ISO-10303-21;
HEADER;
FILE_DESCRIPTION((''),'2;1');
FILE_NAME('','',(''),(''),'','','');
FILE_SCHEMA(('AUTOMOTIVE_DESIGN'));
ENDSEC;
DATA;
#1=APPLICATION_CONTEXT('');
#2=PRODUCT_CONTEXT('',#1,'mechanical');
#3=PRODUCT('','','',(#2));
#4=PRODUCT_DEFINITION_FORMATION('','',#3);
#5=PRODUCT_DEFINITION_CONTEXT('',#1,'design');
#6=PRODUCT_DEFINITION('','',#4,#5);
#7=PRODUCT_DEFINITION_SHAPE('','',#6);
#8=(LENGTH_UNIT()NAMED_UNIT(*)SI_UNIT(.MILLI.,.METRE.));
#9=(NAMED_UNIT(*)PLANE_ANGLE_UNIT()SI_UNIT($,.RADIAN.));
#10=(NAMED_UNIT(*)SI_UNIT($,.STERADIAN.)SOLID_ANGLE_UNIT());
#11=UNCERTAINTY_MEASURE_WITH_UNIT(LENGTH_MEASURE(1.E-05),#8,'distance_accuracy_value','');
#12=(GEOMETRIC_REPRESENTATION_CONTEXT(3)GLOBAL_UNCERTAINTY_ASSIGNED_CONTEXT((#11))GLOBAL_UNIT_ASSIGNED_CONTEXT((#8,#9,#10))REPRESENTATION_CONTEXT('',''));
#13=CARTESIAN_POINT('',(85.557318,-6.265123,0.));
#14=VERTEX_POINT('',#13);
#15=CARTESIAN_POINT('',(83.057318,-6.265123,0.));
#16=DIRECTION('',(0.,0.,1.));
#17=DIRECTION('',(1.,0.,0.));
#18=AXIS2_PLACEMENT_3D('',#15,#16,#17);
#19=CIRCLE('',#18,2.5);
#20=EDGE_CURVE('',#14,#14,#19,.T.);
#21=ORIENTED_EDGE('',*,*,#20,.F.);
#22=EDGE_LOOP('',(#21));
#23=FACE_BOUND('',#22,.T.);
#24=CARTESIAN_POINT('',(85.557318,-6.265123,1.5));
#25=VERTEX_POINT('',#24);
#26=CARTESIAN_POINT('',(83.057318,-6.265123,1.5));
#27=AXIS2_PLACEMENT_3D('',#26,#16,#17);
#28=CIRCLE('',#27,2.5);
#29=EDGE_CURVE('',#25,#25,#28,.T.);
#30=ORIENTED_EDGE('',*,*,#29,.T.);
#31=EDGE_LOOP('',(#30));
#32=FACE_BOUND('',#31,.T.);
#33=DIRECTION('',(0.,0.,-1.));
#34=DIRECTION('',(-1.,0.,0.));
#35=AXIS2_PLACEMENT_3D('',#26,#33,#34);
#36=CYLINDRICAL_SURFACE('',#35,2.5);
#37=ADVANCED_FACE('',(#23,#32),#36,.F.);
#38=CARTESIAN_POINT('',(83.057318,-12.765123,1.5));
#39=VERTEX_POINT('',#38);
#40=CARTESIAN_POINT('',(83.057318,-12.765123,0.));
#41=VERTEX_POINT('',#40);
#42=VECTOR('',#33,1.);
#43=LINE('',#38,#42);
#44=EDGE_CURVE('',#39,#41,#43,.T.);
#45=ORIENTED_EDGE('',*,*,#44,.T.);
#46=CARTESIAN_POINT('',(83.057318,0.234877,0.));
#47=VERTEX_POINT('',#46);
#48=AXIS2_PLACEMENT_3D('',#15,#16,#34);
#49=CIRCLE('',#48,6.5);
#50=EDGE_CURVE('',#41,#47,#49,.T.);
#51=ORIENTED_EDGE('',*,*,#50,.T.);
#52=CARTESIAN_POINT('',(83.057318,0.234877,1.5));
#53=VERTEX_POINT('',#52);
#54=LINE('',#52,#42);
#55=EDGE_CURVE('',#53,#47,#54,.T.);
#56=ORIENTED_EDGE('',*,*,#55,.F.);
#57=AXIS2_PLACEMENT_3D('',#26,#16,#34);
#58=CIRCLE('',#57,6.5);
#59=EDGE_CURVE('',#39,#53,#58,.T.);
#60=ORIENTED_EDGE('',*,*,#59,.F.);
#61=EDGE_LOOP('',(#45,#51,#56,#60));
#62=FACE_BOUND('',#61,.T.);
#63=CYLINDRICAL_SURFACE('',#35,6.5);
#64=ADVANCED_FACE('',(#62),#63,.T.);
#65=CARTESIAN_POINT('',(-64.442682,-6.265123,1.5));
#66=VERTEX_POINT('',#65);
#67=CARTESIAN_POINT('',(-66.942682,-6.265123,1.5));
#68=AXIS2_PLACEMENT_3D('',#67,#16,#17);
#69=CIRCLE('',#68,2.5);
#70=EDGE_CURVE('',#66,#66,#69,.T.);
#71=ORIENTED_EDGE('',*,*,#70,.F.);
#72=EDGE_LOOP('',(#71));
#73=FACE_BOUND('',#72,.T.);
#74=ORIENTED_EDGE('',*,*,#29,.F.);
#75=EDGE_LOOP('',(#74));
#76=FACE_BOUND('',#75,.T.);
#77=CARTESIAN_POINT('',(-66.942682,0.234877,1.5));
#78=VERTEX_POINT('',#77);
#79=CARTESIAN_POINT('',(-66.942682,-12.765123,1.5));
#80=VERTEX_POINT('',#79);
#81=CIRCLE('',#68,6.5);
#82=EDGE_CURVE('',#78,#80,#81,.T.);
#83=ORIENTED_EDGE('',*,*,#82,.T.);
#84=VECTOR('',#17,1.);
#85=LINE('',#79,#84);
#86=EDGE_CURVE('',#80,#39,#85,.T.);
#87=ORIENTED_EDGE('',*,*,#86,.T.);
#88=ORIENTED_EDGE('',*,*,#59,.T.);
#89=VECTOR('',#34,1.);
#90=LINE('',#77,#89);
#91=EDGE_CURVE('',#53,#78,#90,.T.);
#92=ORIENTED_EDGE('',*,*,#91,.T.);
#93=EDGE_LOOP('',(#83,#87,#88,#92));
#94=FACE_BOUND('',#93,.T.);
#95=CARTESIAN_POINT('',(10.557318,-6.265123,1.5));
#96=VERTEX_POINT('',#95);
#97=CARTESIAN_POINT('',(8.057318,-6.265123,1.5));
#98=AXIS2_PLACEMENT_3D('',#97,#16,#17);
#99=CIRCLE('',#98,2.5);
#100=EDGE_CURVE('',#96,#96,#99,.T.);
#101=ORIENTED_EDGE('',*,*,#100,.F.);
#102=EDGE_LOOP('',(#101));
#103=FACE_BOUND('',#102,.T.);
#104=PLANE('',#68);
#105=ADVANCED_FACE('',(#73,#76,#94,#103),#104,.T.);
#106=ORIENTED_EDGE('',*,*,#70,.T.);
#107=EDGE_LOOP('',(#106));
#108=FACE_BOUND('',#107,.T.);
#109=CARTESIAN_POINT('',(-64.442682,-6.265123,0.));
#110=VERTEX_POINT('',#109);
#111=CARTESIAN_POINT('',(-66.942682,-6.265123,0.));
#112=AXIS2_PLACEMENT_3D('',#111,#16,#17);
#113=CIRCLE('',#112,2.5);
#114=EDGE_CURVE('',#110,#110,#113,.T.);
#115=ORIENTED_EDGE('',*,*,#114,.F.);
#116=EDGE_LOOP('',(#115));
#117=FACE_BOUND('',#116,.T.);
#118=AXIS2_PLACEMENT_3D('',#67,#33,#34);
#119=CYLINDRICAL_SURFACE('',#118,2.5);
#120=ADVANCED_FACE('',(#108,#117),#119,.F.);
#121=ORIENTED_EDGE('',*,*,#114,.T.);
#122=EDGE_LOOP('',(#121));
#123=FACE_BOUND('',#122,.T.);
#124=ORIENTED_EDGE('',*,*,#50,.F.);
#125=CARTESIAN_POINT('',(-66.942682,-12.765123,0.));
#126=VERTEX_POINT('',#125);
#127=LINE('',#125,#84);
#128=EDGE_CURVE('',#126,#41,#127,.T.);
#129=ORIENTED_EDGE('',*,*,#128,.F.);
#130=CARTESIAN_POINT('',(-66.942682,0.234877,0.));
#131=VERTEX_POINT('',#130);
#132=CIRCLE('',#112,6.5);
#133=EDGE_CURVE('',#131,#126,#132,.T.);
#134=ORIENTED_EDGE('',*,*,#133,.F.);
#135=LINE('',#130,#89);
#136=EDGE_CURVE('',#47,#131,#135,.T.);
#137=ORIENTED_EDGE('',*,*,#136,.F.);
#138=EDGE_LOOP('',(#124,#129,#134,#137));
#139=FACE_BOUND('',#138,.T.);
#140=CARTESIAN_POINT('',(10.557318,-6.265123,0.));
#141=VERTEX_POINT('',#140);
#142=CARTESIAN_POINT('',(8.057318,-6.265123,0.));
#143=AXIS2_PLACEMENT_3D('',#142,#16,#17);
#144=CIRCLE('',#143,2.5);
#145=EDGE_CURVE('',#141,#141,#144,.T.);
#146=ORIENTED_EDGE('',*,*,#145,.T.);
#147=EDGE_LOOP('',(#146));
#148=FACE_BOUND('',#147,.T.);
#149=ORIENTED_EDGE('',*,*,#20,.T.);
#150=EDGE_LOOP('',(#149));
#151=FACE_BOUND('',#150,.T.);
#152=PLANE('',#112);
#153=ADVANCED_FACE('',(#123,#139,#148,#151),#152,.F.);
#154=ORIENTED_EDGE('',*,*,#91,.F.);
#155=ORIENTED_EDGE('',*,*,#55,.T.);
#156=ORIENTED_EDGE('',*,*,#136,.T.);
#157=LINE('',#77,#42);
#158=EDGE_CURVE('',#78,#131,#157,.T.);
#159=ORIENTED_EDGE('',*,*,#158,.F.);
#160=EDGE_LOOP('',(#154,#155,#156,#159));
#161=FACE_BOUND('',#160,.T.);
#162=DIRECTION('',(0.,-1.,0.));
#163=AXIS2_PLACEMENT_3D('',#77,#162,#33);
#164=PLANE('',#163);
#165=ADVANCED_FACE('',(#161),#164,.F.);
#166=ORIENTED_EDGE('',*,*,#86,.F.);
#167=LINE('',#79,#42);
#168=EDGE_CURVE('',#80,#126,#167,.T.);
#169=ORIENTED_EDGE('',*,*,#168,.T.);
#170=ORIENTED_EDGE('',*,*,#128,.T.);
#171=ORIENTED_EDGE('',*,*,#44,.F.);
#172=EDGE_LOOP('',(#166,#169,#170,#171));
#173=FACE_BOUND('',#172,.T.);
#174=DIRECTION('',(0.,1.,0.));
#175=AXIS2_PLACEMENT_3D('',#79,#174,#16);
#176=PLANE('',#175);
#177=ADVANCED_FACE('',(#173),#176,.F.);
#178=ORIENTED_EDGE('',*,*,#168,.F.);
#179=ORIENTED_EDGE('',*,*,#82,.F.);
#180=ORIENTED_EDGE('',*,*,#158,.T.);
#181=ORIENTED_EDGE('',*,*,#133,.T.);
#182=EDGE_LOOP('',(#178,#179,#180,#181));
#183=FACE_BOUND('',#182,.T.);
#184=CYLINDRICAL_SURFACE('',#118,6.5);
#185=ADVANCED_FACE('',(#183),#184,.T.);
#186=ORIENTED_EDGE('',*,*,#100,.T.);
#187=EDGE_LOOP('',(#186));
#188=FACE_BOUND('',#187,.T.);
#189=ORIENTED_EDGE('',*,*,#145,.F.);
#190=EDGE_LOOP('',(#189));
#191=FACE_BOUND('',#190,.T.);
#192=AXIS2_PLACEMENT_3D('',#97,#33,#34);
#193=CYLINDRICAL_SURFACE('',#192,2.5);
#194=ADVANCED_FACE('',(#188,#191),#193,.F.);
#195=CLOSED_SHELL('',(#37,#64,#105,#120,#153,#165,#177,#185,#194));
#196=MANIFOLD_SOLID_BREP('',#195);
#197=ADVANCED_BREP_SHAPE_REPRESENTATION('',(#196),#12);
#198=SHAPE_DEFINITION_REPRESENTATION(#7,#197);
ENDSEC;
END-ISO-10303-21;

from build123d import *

# Parameters (mm, degrees)
SKETCH1_R           = 2.5
BOSS_EXTRUDE1_DEPTH = 1.5


with BuildPart() as part:
    # Sketch1 → Boss-Extrude1 (new body)
    with BuildSketch(Plane.XY):
        with BuildLine():
            Line((-66.942682106, 0.234876583), (83.057317894, 0.234876583))
            ThreePointArc((83.057317894, 0.234876583), (89.557317894, -6.265123417), (83.057317894, -12.765123417))
            Line((83.057317894, -12.765123417), (-66.942682106, -12.765123417))
            ThreePointArc((-66.942682106, -12.765123417), (-73.442682106, -6.265123417), (-66.942682106, 0.234876583))
        make_face()
        with Locations((-66.942682106, -6.265123417)):
            Circle(SKETCH1_R, mode=Mode.SUBTRACT)
        with Locations((83.057317894, -6.265123417)):
            Circle(SKETCH1_R, mode=Mode.SUBTRACT)
        with Locations((8.057317894, -6.265123417)):
            Circle(SKETCH1_R, mode=Mode.SUBTRACT)
    extrude(amount=BOSS_EXTRUDE1_DEPTH)


solid = part.part
